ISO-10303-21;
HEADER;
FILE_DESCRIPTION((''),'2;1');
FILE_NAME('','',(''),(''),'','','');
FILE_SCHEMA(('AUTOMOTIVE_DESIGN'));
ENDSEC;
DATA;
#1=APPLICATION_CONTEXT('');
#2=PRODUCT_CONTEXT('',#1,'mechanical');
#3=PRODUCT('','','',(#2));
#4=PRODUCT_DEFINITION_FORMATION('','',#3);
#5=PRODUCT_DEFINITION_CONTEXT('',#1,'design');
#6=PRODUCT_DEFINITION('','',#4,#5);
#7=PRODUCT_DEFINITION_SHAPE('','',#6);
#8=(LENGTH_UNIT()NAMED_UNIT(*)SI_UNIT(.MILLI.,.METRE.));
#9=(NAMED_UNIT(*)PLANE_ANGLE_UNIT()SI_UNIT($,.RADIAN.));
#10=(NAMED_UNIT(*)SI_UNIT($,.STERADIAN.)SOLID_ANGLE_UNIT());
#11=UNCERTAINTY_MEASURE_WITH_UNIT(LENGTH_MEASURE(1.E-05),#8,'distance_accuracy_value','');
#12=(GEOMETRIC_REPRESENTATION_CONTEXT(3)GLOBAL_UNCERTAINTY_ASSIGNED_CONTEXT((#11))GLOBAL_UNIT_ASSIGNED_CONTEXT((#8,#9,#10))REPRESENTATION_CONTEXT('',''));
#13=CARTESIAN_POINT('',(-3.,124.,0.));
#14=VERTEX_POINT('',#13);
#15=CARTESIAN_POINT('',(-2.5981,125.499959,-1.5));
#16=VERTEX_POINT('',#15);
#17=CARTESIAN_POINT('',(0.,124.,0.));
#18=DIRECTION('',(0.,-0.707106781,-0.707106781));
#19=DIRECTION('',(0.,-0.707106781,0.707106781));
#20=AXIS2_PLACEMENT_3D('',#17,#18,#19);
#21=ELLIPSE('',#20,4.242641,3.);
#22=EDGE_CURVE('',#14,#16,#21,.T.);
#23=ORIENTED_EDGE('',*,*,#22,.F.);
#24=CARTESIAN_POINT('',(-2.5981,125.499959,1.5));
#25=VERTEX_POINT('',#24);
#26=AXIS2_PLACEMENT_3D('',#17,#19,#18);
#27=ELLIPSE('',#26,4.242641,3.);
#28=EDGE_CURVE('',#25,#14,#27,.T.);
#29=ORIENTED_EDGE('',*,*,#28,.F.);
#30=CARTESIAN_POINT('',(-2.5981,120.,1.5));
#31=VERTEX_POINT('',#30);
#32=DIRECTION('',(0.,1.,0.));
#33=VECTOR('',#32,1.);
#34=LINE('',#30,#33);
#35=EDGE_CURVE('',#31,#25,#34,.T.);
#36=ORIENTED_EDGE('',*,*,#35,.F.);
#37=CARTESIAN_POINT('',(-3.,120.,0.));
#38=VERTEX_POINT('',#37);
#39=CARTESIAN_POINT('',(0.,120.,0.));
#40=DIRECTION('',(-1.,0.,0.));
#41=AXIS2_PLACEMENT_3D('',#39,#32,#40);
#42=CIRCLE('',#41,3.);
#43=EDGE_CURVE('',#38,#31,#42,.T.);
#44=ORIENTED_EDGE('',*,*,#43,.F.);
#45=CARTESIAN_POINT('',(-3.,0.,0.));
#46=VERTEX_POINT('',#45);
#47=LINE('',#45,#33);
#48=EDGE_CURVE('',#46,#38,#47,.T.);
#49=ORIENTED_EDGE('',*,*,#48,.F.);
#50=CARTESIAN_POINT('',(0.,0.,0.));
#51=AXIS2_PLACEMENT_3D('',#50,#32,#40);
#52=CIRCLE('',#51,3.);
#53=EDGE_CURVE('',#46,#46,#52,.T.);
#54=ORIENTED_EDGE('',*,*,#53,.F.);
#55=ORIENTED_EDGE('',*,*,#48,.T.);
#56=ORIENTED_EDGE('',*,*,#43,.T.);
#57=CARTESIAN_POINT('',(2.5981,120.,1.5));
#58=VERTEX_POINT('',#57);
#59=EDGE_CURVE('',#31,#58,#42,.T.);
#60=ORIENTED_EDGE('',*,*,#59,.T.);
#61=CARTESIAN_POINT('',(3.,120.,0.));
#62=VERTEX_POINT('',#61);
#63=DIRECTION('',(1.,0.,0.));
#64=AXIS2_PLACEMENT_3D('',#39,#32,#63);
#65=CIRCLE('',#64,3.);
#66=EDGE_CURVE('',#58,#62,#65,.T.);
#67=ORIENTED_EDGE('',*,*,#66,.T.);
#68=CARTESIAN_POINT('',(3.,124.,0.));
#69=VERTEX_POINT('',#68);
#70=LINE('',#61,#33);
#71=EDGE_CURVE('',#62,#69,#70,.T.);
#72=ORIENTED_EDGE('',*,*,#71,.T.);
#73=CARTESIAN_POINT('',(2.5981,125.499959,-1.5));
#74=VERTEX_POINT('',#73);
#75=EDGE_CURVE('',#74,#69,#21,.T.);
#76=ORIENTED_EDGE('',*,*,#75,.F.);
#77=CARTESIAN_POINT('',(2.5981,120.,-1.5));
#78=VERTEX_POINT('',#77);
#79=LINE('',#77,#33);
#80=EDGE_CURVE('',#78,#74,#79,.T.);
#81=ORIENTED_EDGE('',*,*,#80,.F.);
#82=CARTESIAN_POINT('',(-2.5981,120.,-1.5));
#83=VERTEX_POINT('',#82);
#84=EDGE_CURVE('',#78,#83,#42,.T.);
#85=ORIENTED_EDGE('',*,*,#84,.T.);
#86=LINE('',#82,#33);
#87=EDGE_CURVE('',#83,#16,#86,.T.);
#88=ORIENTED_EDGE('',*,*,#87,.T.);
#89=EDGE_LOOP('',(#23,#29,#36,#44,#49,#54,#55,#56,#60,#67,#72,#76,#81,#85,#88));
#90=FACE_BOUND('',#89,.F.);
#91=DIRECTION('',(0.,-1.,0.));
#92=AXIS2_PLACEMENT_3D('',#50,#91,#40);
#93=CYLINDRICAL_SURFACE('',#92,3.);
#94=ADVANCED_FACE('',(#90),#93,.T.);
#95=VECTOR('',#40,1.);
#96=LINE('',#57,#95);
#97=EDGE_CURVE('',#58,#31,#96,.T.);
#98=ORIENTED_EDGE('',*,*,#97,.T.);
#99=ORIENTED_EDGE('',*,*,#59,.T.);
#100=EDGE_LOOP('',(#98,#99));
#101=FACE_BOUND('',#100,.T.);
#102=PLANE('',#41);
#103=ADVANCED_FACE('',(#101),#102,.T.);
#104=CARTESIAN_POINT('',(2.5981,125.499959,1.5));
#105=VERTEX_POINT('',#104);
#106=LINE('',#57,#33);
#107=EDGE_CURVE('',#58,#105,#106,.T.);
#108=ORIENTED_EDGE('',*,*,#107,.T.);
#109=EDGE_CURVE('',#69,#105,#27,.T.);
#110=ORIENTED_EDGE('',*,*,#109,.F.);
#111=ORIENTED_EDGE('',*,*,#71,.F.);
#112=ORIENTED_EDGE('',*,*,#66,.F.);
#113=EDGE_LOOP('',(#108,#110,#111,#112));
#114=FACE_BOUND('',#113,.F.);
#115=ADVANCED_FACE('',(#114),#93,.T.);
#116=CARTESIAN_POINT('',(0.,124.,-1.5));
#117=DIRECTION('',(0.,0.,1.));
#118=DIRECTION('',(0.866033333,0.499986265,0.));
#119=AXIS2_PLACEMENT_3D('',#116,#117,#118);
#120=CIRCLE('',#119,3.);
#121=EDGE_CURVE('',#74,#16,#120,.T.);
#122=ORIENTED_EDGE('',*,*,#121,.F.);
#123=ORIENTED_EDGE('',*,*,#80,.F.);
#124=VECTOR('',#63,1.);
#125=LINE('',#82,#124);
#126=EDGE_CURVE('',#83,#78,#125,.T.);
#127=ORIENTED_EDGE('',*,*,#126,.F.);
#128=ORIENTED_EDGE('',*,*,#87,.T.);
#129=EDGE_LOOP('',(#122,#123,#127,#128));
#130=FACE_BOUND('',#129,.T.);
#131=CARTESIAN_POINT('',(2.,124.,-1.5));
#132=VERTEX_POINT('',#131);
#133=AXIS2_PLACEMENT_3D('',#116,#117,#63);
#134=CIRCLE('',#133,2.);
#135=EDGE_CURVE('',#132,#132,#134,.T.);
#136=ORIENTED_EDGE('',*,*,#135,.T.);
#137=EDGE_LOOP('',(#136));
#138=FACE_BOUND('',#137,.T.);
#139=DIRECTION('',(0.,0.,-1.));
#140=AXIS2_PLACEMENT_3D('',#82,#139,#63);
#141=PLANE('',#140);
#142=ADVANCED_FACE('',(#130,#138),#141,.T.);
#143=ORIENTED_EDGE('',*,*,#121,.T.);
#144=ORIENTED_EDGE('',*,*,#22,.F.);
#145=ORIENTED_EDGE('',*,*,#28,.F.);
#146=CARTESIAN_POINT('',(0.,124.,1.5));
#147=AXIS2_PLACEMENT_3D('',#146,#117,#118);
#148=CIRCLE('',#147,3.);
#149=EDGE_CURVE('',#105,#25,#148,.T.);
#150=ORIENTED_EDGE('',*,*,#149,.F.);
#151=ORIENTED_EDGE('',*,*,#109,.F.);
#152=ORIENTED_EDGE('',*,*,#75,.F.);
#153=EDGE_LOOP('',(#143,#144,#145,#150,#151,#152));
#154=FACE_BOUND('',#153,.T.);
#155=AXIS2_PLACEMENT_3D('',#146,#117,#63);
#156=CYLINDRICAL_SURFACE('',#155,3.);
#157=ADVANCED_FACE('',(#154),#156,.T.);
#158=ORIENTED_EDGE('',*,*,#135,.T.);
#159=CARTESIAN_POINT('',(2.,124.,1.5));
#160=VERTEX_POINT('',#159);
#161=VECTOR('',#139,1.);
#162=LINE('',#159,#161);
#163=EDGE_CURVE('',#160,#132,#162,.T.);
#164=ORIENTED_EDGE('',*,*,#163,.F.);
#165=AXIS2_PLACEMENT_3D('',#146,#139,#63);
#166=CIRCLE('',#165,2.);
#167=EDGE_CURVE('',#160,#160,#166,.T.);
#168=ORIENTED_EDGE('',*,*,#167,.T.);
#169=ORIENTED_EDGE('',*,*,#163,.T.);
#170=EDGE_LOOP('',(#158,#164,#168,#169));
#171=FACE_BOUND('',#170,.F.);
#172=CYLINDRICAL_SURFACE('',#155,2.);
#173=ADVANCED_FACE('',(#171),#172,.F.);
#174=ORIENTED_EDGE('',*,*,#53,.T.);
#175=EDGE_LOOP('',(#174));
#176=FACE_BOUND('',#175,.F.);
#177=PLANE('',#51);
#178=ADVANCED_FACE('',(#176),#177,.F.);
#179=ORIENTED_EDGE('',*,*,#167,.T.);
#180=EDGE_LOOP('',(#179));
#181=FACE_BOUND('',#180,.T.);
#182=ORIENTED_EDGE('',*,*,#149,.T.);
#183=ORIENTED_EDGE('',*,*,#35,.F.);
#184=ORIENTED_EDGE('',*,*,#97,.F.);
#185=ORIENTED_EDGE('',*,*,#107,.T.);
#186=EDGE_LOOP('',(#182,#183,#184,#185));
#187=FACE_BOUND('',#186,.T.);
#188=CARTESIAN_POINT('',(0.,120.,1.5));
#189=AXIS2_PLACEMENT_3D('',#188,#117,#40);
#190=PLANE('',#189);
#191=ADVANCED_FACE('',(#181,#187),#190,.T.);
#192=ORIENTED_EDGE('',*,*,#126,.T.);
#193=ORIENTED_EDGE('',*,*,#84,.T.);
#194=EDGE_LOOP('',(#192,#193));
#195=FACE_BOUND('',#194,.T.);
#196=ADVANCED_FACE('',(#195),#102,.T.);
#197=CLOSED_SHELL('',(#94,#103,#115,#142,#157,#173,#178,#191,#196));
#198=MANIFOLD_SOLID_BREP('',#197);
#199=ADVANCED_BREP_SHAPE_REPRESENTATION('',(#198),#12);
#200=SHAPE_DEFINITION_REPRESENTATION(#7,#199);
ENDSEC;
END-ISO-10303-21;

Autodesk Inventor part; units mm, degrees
ref_plane "YZ Plane" through (0, 0, 0) normal (1, 0, 0) x (0, 1, 0)
ref_plane "XZ Plane" through (0, 0, 0) normal (0, 1, 0) x (-1, 0, 0)
ref_plane "XY Plane" through (0, 0, 0) normal (0, 0, 1) x (1, 0, 0)
sketch "Sketch1" plane through (0, 0, 0) normal (0, 1, 0) x (-1, 0, 0)
  circle A0 centre (0, 0) radius 3
  dimension "d0" = 6
extrude "Extrusion1" add sketch "Sketch1" along normal blind 120
sketch "Sketch2" plane through (0, 120, 0) normal (0, 1, 0) x (1, 0, 0)
  circle A0 centre (0, 0) radius 3 projected
  circle A1 centre (0, 0) radius 3 projected
  line L0 (-2.5981, 1.5) -> (2.5981, 1.5)
  line L1 (2.5981, -1.5) -> (-2.5981, -1.5)
  line L2 (0, -1.5) -> (0, 1.5)
  dimension "d3" = 3
extrude "Extrusion2" add sketch "Sketch2" along normal blind 7 contours A0 L1 L2 L0 | L0 L2 L1 A0
sketch "Sketch3" plane through (-2.5981, 120, 1.5) normal (0, 0, 1) x (1, 0, 0)
  line L0 (5.5981, -120) -> (5.5981, 7) projected
  line L1 (-0.4019, -120) -> (-0.4019, 7) projected
  line L2 (-0.4019, 4) -> (5.5981, 4)
  circle A0 centre (2.5981, 4) radius 2
  line L3 (0, 7) -> (5.1962, 7) projected
  circle A1 centre (2.5981, 4) radius 3
  line L4 (0, 7) -> (-0.4019, 7) projected
  line L5 (-0.4019, 7) -> (5.5981, 7)
  point P0 (2.5981, -120)
  point P1 (2.5981, 7)
  point P2 (5.5981, 4)
  dimension "d6" = 4
extrude "Extrusion3" cut sketch "Sketch3" against normal blind 7 contours A1 L3 L5 L0 | A0 L2 | L2 A0 | L1 L4 L3 A1
properties part number "Shaft"
